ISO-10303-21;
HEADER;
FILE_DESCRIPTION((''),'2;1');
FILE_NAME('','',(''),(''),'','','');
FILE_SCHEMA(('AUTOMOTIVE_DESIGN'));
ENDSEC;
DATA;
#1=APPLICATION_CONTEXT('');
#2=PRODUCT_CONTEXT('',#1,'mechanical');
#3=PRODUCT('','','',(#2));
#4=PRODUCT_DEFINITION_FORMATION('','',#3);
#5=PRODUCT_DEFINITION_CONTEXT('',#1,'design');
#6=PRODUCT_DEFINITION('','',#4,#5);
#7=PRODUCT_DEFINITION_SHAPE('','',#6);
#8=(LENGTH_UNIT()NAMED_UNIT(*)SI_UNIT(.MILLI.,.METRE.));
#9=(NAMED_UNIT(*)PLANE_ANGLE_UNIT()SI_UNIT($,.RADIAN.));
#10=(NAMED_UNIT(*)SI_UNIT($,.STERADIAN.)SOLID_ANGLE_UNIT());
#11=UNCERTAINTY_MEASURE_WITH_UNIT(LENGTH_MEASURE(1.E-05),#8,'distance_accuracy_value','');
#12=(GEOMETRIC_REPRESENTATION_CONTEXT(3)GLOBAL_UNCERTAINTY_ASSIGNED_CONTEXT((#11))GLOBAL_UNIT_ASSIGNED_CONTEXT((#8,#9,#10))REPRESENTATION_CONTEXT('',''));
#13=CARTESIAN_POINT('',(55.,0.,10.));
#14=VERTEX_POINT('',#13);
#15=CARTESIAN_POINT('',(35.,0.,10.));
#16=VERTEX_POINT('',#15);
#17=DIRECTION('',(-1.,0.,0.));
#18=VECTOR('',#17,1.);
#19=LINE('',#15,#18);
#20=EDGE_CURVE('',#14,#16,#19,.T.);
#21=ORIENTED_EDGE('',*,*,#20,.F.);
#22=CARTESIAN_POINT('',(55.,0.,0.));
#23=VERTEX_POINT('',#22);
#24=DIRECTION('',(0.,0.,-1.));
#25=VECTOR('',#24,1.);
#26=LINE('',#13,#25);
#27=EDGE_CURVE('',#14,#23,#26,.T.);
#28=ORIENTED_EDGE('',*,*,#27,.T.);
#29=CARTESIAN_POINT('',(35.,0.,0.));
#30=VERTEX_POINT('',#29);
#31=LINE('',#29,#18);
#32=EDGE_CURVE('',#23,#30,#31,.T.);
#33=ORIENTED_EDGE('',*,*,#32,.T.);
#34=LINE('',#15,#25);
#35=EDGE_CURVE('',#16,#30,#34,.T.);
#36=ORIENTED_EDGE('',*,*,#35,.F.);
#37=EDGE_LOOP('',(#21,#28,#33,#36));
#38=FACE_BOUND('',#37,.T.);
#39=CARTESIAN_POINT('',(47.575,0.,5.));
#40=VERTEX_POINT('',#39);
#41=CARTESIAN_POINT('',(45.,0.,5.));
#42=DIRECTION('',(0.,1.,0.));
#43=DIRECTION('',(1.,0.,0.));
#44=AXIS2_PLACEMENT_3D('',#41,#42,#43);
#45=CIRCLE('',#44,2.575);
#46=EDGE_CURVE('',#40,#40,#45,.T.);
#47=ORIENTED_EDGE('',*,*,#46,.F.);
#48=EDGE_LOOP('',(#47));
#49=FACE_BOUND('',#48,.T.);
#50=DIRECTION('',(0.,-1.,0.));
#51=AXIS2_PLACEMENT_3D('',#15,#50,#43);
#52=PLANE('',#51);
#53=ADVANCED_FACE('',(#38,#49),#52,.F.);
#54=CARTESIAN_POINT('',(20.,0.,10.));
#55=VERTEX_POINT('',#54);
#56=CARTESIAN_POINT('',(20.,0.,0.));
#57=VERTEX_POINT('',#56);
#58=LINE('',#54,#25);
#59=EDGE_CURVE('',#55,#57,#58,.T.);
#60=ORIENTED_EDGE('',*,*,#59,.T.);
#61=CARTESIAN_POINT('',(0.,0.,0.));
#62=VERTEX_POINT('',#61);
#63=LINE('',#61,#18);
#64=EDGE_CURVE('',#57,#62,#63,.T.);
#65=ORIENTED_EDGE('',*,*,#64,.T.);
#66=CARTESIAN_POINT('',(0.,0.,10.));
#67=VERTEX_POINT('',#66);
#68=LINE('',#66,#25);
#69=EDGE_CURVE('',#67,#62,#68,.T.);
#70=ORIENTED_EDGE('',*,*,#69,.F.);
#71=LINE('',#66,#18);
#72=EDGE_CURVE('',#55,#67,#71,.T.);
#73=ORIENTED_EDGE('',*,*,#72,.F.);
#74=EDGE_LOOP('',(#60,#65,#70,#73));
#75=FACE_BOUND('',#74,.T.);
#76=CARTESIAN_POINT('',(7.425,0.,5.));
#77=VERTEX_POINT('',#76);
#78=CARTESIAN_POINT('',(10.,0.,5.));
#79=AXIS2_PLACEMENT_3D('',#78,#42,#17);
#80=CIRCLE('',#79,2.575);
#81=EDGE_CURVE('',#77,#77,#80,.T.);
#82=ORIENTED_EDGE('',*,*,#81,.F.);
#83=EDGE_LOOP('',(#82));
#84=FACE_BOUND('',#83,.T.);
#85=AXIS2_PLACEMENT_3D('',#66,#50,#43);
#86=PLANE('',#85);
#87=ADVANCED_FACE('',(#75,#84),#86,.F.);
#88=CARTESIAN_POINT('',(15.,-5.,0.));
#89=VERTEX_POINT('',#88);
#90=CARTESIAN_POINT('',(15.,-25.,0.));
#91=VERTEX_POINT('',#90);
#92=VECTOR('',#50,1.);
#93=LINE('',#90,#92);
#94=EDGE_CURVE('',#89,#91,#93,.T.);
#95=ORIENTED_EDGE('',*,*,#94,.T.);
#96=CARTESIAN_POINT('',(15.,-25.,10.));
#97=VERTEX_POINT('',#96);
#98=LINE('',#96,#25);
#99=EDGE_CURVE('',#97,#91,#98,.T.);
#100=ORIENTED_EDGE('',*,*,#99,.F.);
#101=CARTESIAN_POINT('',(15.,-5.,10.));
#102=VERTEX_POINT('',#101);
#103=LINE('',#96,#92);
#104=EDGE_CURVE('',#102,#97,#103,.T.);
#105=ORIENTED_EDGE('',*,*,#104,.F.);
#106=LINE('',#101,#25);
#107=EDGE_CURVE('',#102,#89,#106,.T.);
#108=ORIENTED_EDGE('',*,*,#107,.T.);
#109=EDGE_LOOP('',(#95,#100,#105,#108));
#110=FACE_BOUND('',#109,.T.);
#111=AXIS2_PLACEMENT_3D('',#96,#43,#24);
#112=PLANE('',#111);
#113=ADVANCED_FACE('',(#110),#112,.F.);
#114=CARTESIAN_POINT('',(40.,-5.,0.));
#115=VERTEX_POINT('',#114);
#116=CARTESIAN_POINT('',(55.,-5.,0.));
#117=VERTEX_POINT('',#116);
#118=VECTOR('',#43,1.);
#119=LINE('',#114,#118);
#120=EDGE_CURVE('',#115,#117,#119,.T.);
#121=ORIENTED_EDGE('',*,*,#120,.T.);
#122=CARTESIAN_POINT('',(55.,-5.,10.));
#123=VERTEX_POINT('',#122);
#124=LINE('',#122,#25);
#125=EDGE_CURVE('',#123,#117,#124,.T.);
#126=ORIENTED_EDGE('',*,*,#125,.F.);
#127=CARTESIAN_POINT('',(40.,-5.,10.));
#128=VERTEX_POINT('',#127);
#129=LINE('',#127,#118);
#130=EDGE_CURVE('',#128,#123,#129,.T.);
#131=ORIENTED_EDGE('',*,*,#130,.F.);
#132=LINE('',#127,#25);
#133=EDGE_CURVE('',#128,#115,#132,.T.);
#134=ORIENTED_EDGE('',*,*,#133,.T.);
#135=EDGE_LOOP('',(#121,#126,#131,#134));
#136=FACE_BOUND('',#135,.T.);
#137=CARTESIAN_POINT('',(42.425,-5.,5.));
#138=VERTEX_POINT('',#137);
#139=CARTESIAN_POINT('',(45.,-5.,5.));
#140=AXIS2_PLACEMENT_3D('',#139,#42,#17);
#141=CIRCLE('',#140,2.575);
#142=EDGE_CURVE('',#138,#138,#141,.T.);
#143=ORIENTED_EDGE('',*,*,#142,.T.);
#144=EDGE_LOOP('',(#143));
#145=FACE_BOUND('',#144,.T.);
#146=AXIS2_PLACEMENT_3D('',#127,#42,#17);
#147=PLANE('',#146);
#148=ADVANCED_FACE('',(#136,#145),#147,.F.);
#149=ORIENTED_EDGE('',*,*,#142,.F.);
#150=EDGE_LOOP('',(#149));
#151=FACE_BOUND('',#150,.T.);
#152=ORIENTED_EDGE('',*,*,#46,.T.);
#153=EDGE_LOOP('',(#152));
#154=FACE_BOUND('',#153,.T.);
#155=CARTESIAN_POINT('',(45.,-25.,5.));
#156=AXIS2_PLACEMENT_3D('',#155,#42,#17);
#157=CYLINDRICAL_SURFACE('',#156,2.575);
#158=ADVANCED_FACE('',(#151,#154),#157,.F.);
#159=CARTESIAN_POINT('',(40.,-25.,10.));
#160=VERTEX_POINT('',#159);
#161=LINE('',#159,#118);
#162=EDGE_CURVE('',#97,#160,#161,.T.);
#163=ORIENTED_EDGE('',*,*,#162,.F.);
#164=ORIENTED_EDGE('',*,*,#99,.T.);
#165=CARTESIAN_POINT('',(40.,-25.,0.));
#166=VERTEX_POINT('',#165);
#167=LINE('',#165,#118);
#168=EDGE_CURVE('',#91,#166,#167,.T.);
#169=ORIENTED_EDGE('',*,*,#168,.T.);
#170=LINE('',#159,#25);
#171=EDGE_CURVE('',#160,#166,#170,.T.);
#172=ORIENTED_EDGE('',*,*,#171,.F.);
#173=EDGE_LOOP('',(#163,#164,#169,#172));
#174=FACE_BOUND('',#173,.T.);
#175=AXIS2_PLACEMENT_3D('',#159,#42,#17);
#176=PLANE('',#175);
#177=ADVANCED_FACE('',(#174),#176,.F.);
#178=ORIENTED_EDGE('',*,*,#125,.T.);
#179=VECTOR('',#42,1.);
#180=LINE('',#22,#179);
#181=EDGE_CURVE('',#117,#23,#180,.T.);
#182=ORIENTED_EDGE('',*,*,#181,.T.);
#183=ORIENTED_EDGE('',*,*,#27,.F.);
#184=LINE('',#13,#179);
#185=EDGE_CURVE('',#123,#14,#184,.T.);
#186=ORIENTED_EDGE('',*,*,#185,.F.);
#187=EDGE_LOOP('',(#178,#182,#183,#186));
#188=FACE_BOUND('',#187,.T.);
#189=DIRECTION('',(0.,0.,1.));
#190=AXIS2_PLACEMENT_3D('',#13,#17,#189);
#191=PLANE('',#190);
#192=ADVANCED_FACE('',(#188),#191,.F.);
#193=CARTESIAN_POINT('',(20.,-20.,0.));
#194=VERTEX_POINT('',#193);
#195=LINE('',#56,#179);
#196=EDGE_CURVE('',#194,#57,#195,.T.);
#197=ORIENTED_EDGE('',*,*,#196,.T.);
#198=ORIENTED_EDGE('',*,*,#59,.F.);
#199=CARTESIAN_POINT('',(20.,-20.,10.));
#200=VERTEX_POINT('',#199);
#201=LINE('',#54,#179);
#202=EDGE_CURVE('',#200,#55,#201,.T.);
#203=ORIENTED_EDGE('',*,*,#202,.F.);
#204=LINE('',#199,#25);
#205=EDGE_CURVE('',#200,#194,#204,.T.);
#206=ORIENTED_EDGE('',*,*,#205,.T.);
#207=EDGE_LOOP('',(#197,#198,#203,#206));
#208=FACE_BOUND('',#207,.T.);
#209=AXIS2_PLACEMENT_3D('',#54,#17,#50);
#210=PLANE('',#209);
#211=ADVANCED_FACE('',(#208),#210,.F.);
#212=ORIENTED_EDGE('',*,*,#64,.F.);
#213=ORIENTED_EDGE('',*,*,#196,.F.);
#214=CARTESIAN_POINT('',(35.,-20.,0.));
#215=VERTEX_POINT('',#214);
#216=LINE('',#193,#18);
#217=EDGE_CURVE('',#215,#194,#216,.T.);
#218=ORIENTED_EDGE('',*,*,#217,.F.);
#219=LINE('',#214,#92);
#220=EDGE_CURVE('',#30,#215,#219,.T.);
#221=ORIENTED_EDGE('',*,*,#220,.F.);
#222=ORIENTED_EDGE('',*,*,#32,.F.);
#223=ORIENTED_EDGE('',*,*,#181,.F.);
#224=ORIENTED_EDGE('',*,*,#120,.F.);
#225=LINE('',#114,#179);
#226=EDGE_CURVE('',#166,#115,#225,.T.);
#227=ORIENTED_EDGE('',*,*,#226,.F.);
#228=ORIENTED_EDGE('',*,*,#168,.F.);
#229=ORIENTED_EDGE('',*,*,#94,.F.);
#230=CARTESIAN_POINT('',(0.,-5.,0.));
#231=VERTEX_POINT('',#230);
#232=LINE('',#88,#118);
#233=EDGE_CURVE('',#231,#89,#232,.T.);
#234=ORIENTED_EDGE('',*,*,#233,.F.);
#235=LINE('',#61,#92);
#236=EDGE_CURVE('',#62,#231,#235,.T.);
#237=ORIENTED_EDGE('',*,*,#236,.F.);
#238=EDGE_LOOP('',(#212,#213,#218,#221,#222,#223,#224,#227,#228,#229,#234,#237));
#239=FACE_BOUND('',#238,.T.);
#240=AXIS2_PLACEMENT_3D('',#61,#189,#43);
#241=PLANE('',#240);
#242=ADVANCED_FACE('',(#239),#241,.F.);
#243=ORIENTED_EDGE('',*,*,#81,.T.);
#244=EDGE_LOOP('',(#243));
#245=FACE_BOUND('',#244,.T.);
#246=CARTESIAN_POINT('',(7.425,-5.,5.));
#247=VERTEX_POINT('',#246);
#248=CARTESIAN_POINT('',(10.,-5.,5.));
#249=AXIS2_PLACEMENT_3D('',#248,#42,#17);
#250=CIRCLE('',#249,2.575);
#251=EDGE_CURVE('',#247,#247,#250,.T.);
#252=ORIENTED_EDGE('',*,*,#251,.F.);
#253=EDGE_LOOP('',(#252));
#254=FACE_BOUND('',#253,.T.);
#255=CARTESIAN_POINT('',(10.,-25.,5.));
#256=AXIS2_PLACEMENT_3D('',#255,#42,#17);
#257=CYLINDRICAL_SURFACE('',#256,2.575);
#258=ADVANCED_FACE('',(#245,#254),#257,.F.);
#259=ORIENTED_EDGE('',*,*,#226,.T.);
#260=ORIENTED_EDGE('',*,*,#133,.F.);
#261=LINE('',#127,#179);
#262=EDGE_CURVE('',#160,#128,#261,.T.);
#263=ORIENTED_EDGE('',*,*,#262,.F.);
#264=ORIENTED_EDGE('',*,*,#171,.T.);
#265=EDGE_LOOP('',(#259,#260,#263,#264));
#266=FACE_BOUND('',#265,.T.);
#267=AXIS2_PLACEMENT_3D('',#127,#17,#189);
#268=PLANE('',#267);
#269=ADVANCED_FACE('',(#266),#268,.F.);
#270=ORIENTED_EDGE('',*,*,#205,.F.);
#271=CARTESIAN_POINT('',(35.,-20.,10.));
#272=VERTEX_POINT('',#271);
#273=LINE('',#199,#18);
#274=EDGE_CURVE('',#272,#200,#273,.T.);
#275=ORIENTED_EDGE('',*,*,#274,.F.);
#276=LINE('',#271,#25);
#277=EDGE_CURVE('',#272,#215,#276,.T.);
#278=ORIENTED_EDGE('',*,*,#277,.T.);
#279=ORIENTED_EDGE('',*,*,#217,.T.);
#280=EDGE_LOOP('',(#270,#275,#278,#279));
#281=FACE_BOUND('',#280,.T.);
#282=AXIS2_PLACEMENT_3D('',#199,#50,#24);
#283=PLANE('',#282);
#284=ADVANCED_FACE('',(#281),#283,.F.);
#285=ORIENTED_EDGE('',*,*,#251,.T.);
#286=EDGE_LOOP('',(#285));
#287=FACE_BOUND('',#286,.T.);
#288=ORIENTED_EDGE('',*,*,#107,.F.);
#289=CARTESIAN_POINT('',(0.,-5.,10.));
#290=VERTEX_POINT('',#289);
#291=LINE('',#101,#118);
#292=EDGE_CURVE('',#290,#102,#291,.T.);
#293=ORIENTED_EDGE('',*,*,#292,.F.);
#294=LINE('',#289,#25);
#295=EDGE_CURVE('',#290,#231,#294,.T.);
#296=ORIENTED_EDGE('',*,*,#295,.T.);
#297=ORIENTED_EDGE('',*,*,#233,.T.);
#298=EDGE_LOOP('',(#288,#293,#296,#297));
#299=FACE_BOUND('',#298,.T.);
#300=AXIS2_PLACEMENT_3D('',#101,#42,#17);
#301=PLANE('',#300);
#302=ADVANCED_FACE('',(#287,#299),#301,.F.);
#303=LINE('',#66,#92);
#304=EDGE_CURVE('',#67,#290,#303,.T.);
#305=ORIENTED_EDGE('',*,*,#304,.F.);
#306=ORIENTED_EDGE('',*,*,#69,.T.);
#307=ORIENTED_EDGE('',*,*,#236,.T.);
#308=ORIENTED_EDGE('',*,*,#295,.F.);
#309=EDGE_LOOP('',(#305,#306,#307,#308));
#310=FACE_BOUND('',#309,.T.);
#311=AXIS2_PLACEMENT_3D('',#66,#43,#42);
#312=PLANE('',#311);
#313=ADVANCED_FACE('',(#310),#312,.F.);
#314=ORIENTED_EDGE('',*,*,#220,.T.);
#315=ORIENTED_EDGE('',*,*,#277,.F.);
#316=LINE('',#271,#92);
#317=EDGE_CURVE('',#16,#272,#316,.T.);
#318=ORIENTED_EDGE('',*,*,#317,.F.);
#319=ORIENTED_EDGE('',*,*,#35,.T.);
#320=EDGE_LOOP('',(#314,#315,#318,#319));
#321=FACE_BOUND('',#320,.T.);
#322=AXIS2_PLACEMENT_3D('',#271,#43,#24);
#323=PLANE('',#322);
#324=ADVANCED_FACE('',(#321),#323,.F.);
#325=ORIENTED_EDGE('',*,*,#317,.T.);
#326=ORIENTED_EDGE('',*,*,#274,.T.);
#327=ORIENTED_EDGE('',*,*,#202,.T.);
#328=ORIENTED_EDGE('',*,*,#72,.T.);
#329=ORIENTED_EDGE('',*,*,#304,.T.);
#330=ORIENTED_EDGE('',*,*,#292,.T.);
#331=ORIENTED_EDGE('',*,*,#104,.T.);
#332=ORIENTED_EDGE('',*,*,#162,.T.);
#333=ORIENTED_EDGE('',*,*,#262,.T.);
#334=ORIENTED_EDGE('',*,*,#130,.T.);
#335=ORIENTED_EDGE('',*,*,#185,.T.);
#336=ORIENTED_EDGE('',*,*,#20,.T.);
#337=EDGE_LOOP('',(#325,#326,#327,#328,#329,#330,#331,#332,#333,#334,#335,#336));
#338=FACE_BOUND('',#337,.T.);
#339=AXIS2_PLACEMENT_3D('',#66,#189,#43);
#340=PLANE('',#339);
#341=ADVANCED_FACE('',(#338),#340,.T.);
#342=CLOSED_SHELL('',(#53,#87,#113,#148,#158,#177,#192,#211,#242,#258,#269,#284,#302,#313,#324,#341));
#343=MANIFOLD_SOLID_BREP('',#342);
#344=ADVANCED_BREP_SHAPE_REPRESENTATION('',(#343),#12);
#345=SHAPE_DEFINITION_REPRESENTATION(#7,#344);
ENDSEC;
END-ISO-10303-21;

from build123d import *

# Parameters (mm, degrees)
BOSS_EXTRUDE1_DEPTH = 10
SKETCH2_R           = 2.575
CUT_EXTRUDE1_DEPTH  = 62.23724357


with BuildPart() as part:
    # Sketch1 → Boss-Extrude1 (new body)
    with BuildSketch(Plane.XY):
        Polygon((0, 0), (20, 0), (20, -20), (35, -20), (35, 0), (55, 0), (55, -5), (40, -5), (40, -25), (15, -25), (15, -5), (0, -5), align=None)
    extrude(amount=BOSS_EXTRUDE1_DEPTH)

    # Sketch2 → Cut-Extrude1 (cut, through all)
    with BuildSketch(Plane(origin=(0, 0, 0), x_dir=(1, 0, 0), z_dir=(0, 1, 0))):
        with Locations(Location((10, -5, 0), (0, 0, 180))):
            Circle(SKETCH2_R)
        with Locations(Location((45, -5, 0), (0, 0, 180))):
            Circle(SKETCH2_R)
    extrude(amount=-CUT_EXTRUDE1_DEPTH, mode=Mode.SUBTRACT)


solid = part.part
